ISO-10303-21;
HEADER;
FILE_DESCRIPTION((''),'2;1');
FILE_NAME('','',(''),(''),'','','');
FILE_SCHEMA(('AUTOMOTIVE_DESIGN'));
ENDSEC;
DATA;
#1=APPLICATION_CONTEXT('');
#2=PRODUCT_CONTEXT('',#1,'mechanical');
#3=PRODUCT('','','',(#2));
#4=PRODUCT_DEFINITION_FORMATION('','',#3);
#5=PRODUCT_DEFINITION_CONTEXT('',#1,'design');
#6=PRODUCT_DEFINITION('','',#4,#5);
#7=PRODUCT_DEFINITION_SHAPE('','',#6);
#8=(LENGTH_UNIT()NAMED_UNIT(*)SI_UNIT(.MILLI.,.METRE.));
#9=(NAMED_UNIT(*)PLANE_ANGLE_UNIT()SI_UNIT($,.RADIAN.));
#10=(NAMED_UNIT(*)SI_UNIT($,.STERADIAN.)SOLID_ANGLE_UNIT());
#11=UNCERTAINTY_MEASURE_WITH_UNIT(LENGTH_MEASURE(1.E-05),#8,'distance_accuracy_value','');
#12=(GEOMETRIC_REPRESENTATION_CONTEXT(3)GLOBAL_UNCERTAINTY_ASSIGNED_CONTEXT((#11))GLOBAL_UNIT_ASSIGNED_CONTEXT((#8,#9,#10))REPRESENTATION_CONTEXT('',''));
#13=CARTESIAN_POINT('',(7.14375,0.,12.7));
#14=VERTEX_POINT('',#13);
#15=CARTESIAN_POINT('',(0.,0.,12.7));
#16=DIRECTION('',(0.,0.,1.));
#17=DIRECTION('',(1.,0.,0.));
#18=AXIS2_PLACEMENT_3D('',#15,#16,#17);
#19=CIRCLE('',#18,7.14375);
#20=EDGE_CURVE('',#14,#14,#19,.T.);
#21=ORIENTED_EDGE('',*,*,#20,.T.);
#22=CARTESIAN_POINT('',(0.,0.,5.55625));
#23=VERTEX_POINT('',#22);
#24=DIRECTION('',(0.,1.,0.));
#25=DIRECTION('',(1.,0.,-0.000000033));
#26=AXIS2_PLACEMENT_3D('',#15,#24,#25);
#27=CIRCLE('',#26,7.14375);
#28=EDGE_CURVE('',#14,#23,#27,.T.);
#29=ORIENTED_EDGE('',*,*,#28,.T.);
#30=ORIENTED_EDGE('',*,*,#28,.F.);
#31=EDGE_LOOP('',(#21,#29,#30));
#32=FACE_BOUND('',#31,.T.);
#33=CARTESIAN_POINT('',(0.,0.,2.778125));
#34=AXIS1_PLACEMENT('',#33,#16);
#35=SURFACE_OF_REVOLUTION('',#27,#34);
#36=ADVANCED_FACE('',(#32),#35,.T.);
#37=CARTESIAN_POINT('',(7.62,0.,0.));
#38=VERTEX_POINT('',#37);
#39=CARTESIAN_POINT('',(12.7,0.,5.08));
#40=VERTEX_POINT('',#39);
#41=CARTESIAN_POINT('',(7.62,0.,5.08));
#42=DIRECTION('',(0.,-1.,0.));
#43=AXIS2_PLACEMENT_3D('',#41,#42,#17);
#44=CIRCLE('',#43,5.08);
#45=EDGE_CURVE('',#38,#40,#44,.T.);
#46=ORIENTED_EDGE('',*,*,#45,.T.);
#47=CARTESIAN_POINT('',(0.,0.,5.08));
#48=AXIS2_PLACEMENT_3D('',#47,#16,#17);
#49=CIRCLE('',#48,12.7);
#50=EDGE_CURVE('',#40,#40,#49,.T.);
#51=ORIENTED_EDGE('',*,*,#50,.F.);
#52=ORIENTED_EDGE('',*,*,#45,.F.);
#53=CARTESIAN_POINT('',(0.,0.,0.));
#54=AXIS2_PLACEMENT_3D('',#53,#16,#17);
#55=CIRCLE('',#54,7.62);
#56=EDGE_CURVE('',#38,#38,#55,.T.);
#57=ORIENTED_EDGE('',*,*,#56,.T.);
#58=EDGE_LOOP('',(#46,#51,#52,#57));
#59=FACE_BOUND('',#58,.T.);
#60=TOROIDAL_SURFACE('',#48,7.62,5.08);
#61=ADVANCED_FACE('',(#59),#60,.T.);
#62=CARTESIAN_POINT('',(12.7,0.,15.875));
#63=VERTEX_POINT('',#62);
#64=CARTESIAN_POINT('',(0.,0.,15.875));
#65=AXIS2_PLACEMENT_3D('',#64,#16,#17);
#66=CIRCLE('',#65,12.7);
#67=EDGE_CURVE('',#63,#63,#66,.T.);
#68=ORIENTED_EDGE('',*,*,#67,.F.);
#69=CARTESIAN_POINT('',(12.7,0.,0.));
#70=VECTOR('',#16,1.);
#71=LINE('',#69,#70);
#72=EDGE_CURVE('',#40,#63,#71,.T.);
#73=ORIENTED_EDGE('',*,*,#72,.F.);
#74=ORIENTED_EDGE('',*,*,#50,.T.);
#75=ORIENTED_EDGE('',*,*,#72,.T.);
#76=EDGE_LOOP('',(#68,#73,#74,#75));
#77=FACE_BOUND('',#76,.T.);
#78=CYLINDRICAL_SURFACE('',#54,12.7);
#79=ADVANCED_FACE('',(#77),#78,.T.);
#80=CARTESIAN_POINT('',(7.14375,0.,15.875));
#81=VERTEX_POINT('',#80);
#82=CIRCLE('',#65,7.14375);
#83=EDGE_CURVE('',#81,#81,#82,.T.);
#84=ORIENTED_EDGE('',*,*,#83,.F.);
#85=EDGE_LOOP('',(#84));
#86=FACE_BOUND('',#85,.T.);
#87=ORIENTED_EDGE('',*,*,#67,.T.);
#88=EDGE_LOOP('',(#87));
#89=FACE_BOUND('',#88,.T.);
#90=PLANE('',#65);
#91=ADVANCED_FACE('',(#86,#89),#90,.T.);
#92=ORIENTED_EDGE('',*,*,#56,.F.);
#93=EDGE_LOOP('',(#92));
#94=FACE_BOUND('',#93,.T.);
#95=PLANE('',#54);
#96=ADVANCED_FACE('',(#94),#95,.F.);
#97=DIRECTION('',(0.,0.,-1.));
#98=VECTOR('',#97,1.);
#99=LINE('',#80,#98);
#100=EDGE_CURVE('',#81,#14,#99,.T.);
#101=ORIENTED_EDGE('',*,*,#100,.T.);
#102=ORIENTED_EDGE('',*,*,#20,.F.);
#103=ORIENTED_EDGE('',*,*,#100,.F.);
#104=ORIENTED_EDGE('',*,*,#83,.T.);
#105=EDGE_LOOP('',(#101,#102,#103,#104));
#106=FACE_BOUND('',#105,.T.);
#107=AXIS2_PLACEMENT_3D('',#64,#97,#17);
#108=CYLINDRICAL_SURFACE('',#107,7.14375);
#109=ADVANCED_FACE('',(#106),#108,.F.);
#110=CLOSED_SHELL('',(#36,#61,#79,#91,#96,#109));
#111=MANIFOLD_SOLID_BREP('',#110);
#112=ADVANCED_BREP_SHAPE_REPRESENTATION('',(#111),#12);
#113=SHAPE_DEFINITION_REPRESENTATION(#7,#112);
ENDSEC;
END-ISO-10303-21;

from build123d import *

# Parameters (mm, degrees)
F2_R = 5.08


with BuildPart() as f1:
    # F0 (on Front) → F1 (revolve)
    with BuildSketch(Plane.XZ):
        with BuildLine():
            Line((0, 5.55625), (0, 0))
            Line((0, 0), (12.7, 0))
            Line((12.7, 0), (12.7, 15.875))
            Line((12.7, 15.875), (7.14375, 15.875))
            Line((7.14375, 15.875), (7.14375, 12.7))
            ThreePointArc((7.14375, 12.7), (5.051394, 7.648606), (0, 5.55625))
        make_face()
    revolve(axis=Axis((0, 0, 2.778125), (0, 0, 1)))

    # F2
    f2_edges = [f1.edges().sort_by_distance(p)[0] for p in [
        (-12.7, 0, 0),
    ]]
    fillet(f2_edges, radius=F2_R)


solid = f1.part
